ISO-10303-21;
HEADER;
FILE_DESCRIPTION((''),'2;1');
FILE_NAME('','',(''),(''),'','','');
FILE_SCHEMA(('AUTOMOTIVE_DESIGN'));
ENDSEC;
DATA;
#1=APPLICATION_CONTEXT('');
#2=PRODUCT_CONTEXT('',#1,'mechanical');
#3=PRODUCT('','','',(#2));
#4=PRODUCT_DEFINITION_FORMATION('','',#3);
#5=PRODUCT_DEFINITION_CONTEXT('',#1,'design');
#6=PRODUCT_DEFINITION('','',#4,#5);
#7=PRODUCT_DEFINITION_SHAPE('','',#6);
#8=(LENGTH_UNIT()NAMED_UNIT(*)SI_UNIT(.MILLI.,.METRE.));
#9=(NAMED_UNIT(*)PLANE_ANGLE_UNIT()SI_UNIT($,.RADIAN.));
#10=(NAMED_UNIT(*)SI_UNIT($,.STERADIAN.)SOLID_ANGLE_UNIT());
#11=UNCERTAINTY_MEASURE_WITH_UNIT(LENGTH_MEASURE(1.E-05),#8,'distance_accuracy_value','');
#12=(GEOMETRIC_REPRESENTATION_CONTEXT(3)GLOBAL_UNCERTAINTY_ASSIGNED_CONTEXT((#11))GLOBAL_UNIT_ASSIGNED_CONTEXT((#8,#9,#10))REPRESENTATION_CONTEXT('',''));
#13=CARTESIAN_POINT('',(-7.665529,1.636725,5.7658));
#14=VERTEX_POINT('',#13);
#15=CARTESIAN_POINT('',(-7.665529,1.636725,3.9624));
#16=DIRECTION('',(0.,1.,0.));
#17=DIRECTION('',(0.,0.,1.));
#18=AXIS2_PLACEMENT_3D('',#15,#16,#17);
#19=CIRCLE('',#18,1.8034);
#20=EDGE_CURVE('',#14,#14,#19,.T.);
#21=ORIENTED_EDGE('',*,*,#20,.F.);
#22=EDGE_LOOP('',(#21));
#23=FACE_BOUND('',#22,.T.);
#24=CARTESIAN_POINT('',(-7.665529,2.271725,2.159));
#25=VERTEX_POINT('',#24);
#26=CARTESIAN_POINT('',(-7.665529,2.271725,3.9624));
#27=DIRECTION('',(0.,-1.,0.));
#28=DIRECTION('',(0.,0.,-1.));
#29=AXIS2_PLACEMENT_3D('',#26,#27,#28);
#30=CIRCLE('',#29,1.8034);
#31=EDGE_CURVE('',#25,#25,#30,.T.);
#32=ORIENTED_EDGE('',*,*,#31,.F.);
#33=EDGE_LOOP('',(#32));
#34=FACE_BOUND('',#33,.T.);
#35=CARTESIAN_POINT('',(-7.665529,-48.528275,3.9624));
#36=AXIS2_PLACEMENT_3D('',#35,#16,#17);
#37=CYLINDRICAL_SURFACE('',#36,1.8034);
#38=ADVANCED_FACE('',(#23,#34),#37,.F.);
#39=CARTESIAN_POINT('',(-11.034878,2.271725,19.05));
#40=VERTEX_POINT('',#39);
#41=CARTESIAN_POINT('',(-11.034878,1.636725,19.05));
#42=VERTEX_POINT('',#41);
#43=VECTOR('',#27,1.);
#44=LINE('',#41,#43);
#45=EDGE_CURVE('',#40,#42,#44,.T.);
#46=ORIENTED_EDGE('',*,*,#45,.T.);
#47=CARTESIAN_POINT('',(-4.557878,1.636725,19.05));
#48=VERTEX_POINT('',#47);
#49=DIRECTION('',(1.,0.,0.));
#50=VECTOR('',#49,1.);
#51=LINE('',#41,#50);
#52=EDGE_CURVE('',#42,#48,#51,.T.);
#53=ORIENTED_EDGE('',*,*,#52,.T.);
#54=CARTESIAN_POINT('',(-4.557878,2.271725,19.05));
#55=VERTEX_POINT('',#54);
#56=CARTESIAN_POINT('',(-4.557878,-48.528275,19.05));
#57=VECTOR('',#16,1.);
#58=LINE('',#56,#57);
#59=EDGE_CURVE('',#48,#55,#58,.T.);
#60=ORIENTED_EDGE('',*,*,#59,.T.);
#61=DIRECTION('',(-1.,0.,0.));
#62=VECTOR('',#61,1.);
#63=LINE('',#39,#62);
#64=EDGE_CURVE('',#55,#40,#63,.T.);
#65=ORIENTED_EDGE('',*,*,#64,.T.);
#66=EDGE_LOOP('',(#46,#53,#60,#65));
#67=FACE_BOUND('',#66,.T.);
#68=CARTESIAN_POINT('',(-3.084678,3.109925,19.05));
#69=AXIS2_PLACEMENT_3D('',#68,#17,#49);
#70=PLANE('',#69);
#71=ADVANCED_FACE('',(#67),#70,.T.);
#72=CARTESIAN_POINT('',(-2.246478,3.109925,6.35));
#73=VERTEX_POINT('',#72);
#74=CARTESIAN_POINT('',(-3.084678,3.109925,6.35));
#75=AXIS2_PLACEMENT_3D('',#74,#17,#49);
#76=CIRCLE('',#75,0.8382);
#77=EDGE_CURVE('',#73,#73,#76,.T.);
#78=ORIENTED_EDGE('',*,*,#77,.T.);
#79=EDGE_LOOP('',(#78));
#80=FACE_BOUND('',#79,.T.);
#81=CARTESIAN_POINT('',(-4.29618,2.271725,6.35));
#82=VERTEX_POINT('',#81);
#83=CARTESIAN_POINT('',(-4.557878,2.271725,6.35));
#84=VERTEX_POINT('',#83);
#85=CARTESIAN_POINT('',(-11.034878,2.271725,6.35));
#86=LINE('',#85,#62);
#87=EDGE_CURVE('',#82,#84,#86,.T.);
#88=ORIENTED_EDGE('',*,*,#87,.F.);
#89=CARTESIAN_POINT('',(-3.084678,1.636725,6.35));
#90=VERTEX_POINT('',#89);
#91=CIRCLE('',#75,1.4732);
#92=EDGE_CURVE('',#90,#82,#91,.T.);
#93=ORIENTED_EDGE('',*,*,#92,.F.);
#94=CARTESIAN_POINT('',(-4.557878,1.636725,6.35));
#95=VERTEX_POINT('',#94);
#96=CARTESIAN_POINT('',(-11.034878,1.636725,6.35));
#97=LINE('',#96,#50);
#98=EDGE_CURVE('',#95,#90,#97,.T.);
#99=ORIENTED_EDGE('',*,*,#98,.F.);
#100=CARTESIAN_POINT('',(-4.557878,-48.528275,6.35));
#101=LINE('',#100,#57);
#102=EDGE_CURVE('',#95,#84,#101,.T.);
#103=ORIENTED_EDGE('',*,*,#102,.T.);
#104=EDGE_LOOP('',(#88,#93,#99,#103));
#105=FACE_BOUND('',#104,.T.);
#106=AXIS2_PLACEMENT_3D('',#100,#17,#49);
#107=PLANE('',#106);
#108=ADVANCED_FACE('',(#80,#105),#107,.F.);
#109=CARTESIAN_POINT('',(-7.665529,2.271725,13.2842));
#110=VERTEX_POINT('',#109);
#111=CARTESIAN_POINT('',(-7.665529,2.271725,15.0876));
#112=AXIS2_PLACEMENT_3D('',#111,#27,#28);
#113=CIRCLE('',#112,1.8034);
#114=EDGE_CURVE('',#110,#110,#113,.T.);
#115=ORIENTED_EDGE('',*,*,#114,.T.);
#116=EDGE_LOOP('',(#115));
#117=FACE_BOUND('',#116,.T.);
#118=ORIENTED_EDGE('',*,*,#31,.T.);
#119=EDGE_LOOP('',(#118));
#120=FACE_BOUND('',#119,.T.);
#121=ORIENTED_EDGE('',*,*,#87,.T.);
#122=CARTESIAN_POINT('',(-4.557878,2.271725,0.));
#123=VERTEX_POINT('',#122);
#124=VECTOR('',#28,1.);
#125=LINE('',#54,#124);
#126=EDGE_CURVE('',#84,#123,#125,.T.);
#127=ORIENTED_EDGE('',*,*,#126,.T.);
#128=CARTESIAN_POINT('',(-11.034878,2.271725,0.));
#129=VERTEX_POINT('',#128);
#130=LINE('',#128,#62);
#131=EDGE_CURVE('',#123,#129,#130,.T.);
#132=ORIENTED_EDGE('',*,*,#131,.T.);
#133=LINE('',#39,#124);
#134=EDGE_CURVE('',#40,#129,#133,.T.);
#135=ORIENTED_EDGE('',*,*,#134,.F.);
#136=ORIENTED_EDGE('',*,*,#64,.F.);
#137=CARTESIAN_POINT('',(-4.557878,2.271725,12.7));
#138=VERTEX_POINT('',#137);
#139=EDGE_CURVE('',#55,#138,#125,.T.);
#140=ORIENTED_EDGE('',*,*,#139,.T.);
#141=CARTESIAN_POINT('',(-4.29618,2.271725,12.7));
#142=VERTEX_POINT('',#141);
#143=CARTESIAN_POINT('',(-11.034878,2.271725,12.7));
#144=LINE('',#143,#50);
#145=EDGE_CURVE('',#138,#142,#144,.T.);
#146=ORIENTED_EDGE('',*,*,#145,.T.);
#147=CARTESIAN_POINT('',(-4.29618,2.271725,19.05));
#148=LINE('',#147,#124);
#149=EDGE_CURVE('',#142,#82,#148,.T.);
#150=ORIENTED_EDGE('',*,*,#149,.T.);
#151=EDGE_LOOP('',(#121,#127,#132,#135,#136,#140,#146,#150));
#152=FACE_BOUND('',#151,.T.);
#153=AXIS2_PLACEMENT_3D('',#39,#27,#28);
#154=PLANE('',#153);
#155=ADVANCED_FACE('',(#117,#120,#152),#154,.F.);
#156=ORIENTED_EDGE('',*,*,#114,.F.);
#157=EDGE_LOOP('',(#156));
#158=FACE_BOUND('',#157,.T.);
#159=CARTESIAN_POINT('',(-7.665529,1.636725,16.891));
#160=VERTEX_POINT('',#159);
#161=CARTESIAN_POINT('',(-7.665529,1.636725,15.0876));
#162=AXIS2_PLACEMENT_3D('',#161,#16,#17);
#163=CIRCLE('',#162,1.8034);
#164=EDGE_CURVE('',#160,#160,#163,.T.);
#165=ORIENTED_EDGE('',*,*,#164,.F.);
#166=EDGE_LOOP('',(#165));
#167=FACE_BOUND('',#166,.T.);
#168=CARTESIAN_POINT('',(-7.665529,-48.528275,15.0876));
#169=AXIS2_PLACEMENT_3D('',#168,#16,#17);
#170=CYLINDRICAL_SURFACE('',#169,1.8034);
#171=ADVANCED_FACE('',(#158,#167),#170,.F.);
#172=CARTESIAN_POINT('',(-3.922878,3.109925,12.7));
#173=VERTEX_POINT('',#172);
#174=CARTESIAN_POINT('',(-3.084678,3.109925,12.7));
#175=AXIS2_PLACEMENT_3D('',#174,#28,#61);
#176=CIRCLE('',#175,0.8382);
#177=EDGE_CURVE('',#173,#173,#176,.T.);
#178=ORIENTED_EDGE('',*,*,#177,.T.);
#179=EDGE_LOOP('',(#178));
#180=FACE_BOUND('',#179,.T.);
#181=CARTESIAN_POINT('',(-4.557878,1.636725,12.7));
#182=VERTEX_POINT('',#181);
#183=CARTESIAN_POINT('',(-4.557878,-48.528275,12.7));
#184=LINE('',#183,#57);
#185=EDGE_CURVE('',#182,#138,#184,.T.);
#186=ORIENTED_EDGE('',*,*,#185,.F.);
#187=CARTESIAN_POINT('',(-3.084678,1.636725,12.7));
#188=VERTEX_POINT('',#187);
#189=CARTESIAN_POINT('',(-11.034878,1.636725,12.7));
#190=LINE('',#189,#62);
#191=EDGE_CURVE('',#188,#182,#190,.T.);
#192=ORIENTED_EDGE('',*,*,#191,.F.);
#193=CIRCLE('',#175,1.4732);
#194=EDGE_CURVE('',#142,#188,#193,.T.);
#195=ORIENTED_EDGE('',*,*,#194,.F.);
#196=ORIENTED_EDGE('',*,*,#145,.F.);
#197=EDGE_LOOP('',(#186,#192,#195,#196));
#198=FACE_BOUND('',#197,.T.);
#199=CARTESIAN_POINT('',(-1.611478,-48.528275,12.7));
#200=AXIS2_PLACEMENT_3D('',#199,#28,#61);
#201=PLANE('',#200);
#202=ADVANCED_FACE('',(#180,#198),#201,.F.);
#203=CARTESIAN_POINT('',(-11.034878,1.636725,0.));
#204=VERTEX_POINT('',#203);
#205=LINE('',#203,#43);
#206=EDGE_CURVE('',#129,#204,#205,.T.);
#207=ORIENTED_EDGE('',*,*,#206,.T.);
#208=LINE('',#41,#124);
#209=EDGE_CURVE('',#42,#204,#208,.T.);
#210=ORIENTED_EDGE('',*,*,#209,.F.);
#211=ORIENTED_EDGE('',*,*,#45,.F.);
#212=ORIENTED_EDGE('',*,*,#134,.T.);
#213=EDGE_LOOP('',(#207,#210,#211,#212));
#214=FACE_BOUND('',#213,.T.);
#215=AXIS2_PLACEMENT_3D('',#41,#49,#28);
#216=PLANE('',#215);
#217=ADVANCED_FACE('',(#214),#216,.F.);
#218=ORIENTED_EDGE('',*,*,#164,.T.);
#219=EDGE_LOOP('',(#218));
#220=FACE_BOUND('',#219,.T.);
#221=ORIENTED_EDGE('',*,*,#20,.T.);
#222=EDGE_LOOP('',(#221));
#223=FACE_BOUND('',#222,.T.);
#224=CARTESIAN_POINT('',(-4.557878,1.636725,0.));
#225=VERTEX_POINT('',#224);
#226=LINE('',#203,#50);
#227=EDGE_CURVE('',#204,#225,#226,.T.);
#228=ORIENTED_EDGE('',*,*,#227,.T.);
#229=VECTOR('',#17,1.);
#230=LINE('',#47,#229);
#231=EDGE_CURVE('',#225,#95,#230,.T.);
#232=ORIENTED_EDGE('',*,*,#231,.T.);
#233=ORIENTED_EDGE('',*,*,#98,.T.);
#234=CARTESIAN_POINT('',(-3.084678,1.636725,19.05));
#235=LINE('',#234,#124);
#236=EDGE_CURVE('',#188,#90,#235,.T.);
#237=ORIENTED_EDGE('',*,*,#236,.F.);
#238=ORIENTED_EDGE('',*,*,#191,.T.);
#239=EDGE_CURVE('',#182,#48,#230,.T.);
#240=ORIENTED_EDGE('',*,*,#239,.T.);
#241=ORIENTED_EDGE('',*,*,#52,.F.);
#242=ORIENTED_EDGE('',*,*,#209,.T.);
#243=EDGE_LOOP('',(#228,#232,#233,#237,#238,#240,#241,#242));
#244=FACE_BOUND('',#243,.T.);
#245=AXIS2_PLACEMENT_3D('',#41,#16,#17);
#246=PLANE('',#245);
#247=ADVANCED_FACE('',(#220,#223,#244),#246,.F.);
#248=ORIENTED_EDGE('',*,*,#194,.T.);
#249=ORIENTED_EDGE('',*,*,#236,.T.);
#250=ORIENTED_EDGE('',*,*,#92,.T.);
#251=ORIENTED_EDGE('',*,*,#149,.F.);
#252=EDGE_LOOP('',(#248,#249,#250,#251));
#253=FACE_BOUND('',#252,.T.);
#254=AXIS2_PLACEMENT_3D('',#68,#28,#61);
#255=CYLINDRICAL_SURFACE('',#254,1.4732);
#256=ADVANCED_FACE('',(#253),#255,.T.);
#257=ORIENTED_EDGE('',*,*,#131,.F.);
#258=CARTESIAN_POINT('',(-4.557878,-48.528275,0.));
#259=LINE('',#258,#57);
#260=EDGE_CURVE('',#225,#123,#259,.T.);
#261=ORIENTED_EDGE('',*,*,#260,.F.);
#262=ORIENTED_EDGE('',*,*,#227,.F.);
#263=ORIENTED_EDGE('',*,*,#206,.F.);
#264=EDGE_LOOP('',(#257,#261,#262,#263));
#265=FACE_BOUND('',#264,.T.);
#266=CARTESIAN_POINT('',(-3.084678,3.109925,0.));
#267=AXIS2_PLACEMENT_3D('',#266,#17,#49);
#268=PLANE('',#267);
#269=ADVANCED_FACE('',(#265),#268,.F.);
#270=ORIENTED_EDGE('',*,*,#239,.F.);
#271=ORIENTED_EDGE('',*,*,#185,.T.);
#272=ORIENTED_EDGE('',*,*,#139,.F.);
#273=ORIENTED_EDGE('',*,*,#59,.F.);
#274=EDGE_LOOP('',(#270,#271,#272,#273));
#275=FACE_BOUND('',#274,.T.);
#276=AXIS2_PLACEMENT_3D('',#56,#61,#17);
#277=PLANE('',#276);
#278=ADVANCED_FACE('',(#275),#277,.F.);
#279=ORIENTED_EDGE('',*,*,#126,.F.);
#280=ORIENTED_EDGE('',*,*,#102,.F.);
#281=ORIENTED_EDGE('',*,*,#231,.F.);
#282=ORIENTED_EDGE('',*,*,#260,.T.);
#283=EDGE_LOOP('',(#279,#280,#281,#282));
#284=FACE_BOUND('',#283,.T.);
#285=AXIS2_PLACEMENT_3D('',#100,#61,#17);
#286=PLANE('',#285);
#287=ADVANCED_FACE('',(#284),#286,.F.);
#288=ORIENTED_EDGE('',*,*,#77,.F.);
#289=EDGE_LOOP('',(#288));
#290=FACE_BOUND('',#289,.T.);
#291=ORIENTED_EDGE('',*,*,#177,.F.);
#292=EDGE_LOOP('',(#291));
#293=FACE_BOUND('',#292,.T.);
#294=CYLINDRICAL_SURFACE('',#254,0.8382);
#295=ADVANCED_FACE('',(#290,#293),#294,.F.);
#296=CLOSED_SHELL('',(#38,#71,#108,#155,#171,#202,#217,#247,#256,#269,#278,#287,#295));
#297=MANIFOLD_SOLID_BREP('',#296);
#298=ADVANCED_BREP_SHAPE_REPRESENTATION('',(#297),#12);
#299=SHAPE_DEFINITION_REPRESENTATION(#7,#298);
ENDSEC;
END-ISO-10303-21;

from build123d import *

# Parameters (mm, degrees)
SKETCH1_R           = 0.8382
BOSS_EXTRUDE1_DEPTH = 19.05
CUT_EXTRUDE1_START  = 76.2
SKETCH2_R           = 1.8034
SKETCH2_W           = 2.9464
SKETCH2_H           = 6.35
CUT_EXTRUDE1_DEPTH  = 127


with BuildPart() as part:
    # Sketch1 → Boss-Extrude1 (new body)
    with BuildSketch(Plane.XY):
        with BuildLine():
            Line((-11.0348776, 1.636724806), (-11.0348776, 2.271724806))
            Line((-11.0348776, 2.271724806), (-4.296180386, 2.271724806))
            ThreePointArc((-4.296180386, 2.271724806), (-2.400761669, 4.41475324), (-3.0846776, 1.636724806))
            Line((-3.0846776, 1.636724806), (-11.0348776, 1.636724806))
        make_face()
        with Locations((-3.0846776, 3.109924806)):
            Circle(SKETCH1_R, mode=Mode.SUBTRACT)
    extrude(amount=BOSS_EXTRUDE1_DEPTH)

    # Sketch2 → Cut-Extrude1 (cut)
    with BuildSketch(Plane(origin=(0, 2.271724806, 0), x_dir=(1, 0, 0), z_dir=(0, 1, 0)).offset(CUT_EXTRUDE1_START)):
        with Locations((-7.665528993, -3.9624)):
            Circle(SKETCH2_R)
        with Locations((-7.665528993, -15.0876)):
            Circle(SKETCH2_R)
        with Locations((-3.0846776, -3.175)):
            Rectangle(SKETCH2_W, SKETCH2_H)
        with Locations((-3.0846776, -15.875)):
            Rectangle(SKETCH2_W, SKETCH2_H)
    extrude(amount=-CUT_EXTRUDE1_DEPTH, mode=Mode.SUBTRACT)


solid = part.part
